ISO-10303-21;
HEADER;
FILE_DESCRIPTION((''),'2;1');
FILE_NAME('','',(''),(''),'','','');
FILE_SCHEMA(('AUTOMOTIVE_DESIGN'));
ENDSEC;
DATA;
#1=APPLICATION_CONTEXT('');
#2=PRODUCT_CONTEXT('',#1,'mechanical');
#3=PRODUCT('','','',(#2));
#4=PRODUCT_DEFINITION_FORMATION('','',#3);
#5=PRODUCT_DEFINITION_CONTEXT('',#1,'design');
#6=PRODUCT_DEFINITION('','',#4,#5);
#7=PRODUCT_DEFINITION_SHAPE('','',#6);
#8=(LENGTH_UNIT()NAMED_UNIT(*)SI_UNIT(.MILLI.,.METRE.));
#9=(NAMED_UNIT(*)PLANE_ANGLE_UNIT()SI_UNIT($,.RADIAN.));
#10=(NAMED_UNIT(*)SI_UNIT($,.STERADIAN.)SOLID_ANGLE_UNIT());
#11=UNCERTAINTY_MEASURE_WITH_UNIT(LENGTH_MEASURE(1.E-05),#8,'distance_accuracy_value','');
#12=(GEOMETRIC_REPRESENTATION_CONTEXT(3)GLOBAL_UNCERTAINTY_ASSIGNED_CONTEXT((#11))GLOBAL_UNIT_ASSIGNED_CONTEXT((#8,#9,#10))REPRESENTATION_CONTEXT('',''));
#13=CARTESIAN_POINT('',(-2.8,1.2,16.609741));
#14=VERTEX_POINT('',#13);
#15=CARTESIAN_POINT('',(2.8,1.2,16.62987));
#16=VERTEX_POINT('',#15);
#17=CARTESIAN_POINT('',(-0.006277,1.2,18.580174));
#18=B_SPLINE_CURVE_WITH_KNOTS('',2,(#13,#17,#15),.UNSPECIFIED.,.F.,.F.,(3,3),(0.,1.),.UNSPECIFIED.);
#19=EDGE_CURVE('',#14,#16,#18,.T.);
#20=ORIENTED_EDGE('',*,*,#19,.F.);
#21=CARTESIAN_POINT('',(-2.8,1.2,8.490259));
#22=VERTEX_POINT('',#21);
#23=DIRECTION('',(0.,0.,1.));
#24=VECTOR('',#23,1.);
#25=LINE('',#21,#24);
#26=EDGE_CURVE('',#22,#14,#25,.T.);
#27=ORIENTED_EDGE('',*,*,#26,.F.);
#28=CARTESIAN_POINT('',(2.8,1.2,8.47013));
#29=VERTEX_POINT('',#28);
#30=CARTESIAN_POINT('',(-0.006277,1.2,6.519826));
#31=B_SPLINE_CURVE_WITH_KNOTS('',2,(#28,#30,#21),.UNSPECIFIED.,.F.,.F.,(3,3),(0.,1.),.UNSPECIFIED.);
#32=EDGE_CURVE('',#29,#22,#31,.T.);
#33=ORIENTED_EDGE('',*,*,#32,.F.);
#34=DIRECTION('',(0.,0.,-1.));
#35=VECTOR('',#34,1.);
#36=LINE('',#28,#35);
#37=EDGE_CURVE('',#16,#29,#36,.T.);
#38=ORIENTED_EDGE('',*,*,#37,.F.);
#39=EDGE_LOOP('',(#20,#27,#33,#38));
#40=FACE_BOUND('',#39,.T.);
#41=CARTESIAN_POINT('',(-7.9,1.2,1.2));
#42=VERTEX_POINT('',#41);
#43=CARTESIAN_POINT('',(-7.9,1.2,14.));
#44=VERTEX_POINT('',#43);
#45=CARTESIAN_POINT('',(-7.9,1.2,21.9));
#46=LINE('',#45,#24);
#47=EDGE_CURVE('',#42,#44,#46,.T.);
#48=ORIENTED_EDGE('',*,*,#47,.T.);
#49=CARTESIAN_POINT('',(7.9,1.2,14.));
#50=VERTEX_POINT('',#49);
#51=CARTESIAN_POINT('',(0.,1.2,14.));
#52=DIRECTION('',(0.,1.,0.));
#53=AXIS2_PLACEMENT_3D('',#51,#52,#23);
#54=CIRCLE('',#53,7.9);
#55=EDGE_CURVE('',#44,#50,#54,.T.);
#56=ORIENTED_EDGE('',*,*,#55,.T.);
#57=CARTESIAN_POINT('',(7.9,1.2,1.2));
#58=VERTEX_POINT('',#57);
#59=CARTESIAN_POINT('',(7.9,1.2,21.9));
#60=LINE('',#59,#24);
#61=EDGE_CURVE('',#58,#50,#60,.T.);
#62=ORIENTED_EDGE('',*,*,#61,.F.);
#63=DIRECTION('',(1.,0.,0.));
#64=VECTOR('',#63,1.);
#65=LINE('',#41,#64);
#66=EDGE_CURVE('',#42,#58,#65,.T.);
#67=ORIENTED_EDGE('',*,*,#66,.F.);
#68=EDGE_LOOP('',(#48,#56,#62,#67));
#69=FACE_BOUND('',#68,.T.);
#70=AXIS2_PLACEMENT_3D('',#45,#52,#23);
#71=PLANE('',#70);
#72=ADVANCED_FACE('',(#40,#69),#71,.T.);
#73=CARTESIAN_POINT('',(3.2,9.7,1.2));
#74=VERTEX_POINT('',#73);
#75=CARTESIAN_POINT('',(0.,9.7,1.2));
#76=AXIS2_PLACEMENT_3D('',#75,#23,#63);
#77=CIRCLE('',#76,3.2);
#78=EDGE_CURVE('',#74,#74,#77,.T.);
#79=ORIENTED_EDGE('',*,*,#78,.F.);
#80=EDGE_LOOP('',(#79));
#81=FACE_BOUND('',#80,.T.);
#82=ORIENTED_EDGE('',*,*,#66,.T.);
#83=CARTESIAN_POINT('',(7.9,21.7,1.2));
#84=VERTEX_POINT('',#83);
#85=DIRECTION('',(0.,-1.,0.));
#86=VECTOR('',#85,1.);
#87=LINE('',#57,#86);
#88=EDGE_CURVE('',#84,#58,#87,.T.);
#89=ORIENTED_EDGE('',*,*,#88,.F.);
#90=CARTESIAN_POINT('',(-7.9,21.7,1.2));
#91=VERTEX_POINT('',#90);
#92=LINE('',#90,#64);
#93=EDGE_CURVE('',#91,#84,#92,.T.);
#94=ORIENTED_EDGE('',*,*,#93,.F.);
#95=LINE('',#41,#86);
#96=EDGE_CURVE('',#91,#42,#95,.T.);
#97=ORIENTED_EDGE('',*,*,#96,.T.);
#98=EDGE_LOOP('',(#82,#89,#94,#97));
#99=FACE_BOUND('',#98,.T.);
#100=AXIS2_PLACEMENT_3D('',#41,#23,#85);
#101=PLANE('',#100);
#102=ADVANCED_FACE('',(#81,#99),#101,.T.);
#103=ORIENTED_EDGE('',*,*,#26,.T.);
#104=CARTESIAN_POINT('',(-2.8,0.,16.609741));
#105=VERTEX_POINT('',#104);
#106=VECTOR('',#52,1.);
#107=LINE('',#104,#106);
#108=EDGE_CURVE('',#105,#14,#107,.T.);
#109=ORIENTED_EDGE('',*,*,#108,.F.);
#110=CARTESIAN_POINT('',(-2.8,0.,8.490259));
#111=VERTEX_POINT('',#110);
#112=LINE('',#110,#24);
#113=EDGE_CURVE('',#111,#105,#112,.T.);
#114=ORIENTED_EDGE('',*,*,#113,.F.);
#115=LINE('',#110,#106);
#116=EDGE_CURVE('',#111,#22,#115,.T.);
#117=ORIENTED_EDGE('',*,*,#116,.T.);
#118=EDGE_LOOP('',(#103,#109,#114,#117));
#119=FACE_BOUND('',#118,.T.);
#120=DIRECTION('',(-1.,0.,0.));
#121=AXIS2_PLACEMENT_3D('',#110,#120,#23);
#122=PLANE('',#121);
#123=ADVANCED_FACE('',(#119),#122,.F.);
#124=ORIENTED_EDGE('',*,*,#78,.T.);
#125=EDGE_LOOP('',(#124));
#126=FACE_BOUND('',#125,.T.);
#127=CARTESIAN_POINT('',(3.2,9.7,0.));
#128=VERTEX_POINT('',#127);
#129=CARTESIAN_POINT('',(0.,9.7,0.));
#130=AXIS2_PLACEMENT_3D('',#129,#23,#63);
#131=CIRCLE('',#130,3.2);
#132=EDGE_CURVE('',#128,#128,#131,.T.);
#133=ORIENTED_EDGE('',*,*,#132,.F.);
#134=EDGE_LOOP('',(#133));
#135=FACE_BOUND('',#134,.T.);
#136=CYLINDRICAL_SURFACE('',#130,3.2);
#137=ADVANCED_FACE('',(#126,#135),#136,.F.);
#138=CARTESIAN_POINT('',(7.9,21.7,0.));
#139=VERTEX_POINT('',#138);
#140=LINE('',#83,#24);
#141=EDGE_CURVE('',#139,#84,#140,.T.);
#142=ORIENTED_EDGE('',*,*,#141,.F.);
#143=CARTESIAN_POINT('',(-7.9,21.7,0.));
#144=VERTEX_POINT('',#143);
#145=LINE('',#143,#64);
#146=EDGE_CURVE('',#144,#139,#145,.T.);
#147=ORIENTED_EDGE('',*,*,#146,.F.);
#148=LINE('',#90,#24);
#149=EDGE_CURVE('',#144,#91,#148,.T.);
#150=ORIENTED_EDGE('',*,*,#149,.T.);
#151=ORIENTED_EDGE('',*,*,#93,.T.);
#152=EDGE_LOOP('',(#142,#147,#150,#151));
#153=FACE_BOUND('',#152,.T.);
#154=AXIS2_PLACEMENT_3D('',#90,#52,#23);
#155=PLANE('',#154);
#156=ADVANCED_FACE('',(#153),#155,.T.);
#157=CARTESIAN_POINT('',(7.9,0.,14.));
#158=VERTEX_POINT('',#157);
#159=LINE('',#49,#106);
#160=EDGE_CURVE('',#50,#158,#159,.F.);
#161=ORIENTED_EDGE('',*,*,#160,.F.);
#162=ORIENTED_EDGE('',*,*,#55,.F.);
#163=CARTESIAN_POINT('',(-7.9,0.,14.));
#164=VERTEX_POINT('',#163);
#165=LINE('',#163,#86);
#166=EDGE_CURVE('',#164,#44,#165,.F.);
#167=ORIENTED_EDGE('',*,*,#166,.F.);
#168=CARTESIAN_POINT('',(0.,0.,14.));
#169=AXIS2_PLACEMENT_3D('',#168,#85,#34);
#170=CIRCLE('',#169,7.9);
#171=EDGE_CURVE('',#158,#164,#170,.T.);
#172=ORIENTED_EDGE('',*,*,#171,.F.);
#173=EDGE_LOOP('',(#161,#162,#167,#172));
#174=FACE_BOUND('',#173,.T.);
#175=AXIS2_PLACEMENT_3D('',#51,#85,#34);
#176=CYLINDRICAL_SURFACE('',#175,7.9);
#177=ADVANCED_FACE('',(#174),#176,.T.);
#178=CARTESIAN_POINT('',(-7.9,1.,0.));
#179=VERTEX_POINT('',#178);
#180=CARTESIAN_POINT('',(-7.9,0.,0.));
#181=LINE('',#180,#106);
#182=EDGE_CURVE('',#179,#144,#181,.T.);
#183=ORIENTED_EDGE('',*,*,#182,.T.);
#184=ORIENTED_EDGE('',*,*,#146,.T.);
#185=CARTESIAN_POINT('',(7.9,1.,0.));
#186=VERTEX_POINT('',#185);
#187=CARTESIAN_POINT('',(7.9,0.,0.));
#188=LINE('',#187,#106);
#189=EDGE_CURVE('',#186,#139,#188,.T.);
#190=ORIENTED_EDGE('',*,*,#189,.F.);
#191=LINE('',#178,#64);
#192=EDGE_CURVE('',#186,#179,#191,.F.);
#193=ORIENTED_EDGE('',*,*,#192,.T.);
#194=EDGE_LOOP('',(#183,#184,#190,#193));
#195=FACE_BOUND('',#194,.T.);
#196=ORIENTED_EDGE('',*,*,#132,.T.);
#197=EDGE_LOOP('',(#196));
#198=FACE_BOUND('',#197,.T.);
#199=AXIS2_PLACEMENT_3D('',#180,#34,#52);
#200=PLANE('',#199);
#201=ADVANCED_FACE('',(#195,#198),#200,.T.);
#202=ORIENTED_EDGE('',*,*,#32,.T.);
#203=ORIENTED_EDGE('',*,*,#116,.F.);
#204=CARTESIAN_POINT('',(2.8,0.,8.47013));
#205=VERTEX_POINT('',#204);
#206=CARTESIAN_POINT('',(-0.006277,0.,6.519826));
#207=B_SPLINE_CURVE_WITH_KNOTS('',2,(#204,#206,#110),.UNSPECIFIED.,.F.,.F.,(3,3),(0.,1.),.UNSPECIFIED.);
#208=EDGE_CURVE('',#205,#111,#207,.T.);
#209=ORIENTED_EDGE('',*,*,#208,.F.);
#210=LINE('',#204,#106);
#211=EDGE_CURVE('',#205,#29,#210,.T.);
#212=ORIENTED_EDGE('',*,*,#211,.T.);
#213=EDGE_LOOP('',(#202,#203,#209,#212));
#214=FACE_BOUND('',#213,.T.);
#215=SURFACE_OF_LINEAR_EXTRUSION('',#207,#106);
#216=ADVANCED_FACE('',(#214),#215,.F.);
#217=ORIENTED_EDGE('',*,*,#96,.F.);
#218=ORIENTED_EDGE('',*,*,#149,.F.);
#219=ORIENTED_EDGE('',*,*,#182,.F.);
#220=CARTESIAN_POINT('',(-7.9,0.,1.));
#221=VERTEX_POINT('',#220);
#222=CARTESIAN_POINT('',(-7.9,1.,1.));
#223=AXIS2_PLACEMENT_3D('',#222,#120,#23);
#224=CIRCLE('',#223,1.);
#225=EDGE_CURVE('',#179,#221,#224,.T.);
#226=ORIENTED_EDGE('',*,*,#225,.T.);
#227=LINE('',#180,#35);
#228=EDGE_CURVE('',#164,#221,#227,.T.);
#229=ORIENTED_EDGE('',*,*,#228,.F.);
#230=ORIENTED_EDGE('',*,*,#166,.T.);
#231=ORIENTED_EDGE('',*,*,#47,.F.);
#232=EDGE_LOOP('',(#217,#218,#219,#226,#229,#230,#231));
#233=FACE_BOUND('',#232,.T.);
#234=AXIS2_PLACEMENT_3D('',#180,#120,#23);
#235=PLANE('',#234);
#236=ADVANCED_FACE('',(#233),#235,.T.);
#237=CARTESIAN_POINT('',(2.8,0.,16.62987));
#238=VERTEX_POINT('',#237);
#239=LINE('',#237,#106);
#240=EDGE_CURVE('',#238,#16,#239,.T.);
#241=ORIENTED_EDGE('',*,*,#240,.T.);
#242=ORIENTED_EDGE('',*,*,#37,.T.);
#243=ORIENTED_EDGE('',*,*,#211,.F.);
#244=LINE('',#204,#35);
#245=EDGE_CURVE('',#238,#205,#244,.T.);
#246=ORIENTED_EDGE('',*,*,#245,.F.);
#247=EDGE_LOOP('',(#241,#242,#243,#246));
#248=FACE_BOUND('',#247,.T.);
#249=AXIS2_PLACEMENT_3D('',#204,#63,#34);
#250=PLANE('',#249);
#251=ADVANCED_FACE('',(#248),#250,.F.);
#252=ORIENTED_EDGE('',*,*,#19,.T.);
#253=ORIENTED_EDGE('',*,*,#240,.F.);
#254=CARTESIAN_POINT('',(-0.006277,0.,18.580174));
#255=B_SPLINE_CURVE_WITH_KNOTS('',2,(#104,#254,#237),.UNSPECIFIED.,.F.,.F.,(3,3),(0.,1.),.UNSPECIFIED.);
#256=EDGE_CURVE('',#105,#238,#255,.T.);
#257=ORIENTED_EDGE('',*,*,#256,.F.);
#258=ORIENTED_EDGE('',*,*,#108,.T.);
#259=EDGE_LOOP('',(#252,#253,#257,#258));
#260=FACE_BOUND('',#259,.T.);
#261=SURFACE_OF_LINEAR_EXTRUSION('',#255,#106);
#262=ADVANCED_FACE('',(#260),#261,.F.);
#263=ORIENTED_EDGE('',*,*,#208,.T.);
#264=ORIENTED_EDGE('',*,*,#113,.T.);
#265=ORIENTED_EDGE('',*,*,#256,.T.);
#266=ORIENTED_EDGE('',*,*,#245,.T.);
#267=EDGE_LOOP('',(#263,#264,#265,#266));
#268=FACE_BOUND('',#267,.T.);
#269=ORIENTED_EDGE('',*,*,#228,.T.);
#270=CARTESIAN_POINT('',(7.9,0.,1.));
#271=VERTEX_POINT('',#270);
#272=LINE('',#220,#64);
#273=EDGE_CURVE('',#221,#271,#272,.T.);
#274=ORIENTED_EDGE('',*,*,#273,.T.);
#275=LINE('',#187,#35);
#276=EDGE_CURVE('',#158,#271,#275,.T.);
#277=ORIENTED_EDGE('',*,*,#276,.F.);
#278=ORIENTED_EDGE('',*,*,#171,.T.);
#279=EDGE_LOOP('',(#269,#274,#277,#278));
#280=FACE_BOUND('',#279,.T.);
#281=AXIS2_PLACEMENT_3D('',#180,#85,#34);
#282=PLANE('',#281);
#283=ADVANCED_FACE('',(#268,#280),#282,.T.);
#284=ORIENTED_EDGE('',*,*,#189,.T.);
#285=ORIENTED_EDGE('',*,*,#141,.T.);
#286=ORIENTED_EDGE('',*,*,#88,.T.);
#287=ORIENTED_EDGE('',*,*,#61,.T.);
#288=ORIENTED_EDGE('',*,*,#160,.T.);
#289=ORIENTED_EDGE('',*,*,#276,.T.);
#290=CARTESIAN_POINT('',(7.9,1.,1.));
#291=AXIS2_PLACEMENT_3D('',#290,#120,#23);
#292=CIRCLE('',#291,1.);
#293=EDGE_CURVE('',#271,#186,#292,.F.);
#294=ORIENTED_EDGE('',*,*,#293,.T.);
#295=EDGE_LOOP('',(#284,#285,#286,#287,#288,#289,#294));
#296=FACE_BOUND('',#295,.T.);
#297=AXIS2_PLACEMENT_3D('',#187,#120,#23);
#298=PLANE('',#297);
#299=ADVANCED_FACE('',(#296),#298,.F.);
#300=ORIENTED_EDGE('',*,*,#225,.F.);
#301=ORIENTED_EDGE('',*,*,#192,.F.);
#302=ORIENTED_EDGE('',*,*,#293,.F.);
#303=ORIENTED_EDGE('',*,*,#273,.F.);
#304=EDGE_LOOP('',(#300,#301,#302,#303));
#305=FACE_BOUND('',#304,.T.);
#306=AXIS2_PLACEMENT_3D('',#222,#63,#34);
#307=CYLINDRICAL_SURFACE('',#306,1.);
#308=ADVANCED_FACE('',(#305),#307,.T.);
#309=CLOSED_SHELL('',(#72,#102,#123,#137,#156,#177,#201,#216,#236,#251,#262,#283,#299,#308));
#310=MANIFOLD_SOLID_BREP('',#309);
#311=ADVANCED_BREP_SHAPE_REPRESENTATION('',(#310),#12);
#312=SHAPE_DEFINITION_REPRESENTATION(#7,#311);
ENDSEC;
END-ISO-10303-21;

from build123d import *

# Parameters (mm, degrees)
BOSS_EXTRUDE1_DEPTH      = 7.9
BOSS_EXTRUDE1_DEPTH_BACK = 7.9
FILLET1_RADIUS           = 7.9
FILLET1_LENGTH           = 1.2
CUT_EXTRUDE3_DEPTH       = 32.020477108
SKETCH5_R                = 3.2
CUT_EXTRUDE4_DEPTH       = 32.01273941
FILLET3_R                = 1


with BuildPart() as part:
    # Sketch3 → Boss-Extrude1 (new, two sides: drawn at the far end of the back side and taken through both)
    with BuildSketch(Plane(origin=(0, 0, 0), x_dir=(0, 0, -1), z_dir=(1, 0, 0)).offset(-BOSS_EXTRUDE1_DEPTH_BACK)):
        Polygon((0, 0), (-21.9, 0), (-21.9, 1.2), (-1.2, 1.2), (-1.2, 21.7), (0, 21.7), align=None)
    extrude(amount=BOSS_EXTRUDE1_DEPTH + BOSS_EXTRUDE1_DEPTH_BACK)

    # Fillet1: full round fillet: the end face becomes a half cylinder, R = half its width
    fillet1_face = Plane((0, 0.6, 21.9), x_dir=(0, -1, 0), z_dir=(0, 0, 1))  # on the end face: x along it, z out of the body
    fillet1_slab = fillet1_face.offset(-FILLET1_RADIUS / 2) * Box(FILLET1_LENGTH, 2 * FILLET1_RADIUS, FILLET1_RADIUS, mode=Mode.PRIVATE)  # the body's end, R deep
    fillet1_round = Plane((0, 0.6, 14), x_dir=(0, 0, 1), z_dir=(0, -1, 0)) * Cylinder(FILLET1_RADIUS, FILLET1_LENGTH, mode=Mode.PRIVATE)  # its axis R under the face
    add(fillet1_slab - fillet1_round, mode=Mode.SUBTRACT)

    # Sketch4 → Cut-Extrude3 (cut, through all)
    with BuildSketch(Plane(origin=(0, 1.2, 0), x_dir=(1, 0, 0), z_dir=(0, 1, 0))):
        with BuildLine():
            Line((-2.8, -8.490258859), (-2.8, -16.609741141))
            add(Edge.make_bspline(
                [(2.8, -16.629870216), (-0.006277243, -18.580174221), (-2.8, -16.609741141)],
                knots=[0, 0, 0, 1, 1, 1], degree=2))
            Line((2.8, -16.629870216), (2.8, -8.470129784))
            add(Edge.make_bspline(
                [(2.8, -8.470129784), (-0.006277243, -6.519825779), (-2.8, -8.490258859)],
                knots=[0, 0, 0, 1, 1, 1], degree=2))
        make_face()
    extrude(amount=-CUT_EXTRUDE3_DEPTH, mode=Mode.SUBTRACT)

    # Sketch5 → Cut-Extrude4 (cut, through all)
    with BuildSketch(Plane.XY.offset(1.2)):
        with Locations((0, 9.7)):
            Circle(SKETCH5_R)
    extrude(amount=-CUT_EXTRUDE4_DEPTH, mode=Mode.SUBTRACT)

    # Fillet3
    fillet3_edges = [part.edges().sort_by_distance(p)[0] for p in [
        (0, 0, 0),
    ]]
    fillet(fillet3_edges, radius=FILLET3_R)


solid = part.part
